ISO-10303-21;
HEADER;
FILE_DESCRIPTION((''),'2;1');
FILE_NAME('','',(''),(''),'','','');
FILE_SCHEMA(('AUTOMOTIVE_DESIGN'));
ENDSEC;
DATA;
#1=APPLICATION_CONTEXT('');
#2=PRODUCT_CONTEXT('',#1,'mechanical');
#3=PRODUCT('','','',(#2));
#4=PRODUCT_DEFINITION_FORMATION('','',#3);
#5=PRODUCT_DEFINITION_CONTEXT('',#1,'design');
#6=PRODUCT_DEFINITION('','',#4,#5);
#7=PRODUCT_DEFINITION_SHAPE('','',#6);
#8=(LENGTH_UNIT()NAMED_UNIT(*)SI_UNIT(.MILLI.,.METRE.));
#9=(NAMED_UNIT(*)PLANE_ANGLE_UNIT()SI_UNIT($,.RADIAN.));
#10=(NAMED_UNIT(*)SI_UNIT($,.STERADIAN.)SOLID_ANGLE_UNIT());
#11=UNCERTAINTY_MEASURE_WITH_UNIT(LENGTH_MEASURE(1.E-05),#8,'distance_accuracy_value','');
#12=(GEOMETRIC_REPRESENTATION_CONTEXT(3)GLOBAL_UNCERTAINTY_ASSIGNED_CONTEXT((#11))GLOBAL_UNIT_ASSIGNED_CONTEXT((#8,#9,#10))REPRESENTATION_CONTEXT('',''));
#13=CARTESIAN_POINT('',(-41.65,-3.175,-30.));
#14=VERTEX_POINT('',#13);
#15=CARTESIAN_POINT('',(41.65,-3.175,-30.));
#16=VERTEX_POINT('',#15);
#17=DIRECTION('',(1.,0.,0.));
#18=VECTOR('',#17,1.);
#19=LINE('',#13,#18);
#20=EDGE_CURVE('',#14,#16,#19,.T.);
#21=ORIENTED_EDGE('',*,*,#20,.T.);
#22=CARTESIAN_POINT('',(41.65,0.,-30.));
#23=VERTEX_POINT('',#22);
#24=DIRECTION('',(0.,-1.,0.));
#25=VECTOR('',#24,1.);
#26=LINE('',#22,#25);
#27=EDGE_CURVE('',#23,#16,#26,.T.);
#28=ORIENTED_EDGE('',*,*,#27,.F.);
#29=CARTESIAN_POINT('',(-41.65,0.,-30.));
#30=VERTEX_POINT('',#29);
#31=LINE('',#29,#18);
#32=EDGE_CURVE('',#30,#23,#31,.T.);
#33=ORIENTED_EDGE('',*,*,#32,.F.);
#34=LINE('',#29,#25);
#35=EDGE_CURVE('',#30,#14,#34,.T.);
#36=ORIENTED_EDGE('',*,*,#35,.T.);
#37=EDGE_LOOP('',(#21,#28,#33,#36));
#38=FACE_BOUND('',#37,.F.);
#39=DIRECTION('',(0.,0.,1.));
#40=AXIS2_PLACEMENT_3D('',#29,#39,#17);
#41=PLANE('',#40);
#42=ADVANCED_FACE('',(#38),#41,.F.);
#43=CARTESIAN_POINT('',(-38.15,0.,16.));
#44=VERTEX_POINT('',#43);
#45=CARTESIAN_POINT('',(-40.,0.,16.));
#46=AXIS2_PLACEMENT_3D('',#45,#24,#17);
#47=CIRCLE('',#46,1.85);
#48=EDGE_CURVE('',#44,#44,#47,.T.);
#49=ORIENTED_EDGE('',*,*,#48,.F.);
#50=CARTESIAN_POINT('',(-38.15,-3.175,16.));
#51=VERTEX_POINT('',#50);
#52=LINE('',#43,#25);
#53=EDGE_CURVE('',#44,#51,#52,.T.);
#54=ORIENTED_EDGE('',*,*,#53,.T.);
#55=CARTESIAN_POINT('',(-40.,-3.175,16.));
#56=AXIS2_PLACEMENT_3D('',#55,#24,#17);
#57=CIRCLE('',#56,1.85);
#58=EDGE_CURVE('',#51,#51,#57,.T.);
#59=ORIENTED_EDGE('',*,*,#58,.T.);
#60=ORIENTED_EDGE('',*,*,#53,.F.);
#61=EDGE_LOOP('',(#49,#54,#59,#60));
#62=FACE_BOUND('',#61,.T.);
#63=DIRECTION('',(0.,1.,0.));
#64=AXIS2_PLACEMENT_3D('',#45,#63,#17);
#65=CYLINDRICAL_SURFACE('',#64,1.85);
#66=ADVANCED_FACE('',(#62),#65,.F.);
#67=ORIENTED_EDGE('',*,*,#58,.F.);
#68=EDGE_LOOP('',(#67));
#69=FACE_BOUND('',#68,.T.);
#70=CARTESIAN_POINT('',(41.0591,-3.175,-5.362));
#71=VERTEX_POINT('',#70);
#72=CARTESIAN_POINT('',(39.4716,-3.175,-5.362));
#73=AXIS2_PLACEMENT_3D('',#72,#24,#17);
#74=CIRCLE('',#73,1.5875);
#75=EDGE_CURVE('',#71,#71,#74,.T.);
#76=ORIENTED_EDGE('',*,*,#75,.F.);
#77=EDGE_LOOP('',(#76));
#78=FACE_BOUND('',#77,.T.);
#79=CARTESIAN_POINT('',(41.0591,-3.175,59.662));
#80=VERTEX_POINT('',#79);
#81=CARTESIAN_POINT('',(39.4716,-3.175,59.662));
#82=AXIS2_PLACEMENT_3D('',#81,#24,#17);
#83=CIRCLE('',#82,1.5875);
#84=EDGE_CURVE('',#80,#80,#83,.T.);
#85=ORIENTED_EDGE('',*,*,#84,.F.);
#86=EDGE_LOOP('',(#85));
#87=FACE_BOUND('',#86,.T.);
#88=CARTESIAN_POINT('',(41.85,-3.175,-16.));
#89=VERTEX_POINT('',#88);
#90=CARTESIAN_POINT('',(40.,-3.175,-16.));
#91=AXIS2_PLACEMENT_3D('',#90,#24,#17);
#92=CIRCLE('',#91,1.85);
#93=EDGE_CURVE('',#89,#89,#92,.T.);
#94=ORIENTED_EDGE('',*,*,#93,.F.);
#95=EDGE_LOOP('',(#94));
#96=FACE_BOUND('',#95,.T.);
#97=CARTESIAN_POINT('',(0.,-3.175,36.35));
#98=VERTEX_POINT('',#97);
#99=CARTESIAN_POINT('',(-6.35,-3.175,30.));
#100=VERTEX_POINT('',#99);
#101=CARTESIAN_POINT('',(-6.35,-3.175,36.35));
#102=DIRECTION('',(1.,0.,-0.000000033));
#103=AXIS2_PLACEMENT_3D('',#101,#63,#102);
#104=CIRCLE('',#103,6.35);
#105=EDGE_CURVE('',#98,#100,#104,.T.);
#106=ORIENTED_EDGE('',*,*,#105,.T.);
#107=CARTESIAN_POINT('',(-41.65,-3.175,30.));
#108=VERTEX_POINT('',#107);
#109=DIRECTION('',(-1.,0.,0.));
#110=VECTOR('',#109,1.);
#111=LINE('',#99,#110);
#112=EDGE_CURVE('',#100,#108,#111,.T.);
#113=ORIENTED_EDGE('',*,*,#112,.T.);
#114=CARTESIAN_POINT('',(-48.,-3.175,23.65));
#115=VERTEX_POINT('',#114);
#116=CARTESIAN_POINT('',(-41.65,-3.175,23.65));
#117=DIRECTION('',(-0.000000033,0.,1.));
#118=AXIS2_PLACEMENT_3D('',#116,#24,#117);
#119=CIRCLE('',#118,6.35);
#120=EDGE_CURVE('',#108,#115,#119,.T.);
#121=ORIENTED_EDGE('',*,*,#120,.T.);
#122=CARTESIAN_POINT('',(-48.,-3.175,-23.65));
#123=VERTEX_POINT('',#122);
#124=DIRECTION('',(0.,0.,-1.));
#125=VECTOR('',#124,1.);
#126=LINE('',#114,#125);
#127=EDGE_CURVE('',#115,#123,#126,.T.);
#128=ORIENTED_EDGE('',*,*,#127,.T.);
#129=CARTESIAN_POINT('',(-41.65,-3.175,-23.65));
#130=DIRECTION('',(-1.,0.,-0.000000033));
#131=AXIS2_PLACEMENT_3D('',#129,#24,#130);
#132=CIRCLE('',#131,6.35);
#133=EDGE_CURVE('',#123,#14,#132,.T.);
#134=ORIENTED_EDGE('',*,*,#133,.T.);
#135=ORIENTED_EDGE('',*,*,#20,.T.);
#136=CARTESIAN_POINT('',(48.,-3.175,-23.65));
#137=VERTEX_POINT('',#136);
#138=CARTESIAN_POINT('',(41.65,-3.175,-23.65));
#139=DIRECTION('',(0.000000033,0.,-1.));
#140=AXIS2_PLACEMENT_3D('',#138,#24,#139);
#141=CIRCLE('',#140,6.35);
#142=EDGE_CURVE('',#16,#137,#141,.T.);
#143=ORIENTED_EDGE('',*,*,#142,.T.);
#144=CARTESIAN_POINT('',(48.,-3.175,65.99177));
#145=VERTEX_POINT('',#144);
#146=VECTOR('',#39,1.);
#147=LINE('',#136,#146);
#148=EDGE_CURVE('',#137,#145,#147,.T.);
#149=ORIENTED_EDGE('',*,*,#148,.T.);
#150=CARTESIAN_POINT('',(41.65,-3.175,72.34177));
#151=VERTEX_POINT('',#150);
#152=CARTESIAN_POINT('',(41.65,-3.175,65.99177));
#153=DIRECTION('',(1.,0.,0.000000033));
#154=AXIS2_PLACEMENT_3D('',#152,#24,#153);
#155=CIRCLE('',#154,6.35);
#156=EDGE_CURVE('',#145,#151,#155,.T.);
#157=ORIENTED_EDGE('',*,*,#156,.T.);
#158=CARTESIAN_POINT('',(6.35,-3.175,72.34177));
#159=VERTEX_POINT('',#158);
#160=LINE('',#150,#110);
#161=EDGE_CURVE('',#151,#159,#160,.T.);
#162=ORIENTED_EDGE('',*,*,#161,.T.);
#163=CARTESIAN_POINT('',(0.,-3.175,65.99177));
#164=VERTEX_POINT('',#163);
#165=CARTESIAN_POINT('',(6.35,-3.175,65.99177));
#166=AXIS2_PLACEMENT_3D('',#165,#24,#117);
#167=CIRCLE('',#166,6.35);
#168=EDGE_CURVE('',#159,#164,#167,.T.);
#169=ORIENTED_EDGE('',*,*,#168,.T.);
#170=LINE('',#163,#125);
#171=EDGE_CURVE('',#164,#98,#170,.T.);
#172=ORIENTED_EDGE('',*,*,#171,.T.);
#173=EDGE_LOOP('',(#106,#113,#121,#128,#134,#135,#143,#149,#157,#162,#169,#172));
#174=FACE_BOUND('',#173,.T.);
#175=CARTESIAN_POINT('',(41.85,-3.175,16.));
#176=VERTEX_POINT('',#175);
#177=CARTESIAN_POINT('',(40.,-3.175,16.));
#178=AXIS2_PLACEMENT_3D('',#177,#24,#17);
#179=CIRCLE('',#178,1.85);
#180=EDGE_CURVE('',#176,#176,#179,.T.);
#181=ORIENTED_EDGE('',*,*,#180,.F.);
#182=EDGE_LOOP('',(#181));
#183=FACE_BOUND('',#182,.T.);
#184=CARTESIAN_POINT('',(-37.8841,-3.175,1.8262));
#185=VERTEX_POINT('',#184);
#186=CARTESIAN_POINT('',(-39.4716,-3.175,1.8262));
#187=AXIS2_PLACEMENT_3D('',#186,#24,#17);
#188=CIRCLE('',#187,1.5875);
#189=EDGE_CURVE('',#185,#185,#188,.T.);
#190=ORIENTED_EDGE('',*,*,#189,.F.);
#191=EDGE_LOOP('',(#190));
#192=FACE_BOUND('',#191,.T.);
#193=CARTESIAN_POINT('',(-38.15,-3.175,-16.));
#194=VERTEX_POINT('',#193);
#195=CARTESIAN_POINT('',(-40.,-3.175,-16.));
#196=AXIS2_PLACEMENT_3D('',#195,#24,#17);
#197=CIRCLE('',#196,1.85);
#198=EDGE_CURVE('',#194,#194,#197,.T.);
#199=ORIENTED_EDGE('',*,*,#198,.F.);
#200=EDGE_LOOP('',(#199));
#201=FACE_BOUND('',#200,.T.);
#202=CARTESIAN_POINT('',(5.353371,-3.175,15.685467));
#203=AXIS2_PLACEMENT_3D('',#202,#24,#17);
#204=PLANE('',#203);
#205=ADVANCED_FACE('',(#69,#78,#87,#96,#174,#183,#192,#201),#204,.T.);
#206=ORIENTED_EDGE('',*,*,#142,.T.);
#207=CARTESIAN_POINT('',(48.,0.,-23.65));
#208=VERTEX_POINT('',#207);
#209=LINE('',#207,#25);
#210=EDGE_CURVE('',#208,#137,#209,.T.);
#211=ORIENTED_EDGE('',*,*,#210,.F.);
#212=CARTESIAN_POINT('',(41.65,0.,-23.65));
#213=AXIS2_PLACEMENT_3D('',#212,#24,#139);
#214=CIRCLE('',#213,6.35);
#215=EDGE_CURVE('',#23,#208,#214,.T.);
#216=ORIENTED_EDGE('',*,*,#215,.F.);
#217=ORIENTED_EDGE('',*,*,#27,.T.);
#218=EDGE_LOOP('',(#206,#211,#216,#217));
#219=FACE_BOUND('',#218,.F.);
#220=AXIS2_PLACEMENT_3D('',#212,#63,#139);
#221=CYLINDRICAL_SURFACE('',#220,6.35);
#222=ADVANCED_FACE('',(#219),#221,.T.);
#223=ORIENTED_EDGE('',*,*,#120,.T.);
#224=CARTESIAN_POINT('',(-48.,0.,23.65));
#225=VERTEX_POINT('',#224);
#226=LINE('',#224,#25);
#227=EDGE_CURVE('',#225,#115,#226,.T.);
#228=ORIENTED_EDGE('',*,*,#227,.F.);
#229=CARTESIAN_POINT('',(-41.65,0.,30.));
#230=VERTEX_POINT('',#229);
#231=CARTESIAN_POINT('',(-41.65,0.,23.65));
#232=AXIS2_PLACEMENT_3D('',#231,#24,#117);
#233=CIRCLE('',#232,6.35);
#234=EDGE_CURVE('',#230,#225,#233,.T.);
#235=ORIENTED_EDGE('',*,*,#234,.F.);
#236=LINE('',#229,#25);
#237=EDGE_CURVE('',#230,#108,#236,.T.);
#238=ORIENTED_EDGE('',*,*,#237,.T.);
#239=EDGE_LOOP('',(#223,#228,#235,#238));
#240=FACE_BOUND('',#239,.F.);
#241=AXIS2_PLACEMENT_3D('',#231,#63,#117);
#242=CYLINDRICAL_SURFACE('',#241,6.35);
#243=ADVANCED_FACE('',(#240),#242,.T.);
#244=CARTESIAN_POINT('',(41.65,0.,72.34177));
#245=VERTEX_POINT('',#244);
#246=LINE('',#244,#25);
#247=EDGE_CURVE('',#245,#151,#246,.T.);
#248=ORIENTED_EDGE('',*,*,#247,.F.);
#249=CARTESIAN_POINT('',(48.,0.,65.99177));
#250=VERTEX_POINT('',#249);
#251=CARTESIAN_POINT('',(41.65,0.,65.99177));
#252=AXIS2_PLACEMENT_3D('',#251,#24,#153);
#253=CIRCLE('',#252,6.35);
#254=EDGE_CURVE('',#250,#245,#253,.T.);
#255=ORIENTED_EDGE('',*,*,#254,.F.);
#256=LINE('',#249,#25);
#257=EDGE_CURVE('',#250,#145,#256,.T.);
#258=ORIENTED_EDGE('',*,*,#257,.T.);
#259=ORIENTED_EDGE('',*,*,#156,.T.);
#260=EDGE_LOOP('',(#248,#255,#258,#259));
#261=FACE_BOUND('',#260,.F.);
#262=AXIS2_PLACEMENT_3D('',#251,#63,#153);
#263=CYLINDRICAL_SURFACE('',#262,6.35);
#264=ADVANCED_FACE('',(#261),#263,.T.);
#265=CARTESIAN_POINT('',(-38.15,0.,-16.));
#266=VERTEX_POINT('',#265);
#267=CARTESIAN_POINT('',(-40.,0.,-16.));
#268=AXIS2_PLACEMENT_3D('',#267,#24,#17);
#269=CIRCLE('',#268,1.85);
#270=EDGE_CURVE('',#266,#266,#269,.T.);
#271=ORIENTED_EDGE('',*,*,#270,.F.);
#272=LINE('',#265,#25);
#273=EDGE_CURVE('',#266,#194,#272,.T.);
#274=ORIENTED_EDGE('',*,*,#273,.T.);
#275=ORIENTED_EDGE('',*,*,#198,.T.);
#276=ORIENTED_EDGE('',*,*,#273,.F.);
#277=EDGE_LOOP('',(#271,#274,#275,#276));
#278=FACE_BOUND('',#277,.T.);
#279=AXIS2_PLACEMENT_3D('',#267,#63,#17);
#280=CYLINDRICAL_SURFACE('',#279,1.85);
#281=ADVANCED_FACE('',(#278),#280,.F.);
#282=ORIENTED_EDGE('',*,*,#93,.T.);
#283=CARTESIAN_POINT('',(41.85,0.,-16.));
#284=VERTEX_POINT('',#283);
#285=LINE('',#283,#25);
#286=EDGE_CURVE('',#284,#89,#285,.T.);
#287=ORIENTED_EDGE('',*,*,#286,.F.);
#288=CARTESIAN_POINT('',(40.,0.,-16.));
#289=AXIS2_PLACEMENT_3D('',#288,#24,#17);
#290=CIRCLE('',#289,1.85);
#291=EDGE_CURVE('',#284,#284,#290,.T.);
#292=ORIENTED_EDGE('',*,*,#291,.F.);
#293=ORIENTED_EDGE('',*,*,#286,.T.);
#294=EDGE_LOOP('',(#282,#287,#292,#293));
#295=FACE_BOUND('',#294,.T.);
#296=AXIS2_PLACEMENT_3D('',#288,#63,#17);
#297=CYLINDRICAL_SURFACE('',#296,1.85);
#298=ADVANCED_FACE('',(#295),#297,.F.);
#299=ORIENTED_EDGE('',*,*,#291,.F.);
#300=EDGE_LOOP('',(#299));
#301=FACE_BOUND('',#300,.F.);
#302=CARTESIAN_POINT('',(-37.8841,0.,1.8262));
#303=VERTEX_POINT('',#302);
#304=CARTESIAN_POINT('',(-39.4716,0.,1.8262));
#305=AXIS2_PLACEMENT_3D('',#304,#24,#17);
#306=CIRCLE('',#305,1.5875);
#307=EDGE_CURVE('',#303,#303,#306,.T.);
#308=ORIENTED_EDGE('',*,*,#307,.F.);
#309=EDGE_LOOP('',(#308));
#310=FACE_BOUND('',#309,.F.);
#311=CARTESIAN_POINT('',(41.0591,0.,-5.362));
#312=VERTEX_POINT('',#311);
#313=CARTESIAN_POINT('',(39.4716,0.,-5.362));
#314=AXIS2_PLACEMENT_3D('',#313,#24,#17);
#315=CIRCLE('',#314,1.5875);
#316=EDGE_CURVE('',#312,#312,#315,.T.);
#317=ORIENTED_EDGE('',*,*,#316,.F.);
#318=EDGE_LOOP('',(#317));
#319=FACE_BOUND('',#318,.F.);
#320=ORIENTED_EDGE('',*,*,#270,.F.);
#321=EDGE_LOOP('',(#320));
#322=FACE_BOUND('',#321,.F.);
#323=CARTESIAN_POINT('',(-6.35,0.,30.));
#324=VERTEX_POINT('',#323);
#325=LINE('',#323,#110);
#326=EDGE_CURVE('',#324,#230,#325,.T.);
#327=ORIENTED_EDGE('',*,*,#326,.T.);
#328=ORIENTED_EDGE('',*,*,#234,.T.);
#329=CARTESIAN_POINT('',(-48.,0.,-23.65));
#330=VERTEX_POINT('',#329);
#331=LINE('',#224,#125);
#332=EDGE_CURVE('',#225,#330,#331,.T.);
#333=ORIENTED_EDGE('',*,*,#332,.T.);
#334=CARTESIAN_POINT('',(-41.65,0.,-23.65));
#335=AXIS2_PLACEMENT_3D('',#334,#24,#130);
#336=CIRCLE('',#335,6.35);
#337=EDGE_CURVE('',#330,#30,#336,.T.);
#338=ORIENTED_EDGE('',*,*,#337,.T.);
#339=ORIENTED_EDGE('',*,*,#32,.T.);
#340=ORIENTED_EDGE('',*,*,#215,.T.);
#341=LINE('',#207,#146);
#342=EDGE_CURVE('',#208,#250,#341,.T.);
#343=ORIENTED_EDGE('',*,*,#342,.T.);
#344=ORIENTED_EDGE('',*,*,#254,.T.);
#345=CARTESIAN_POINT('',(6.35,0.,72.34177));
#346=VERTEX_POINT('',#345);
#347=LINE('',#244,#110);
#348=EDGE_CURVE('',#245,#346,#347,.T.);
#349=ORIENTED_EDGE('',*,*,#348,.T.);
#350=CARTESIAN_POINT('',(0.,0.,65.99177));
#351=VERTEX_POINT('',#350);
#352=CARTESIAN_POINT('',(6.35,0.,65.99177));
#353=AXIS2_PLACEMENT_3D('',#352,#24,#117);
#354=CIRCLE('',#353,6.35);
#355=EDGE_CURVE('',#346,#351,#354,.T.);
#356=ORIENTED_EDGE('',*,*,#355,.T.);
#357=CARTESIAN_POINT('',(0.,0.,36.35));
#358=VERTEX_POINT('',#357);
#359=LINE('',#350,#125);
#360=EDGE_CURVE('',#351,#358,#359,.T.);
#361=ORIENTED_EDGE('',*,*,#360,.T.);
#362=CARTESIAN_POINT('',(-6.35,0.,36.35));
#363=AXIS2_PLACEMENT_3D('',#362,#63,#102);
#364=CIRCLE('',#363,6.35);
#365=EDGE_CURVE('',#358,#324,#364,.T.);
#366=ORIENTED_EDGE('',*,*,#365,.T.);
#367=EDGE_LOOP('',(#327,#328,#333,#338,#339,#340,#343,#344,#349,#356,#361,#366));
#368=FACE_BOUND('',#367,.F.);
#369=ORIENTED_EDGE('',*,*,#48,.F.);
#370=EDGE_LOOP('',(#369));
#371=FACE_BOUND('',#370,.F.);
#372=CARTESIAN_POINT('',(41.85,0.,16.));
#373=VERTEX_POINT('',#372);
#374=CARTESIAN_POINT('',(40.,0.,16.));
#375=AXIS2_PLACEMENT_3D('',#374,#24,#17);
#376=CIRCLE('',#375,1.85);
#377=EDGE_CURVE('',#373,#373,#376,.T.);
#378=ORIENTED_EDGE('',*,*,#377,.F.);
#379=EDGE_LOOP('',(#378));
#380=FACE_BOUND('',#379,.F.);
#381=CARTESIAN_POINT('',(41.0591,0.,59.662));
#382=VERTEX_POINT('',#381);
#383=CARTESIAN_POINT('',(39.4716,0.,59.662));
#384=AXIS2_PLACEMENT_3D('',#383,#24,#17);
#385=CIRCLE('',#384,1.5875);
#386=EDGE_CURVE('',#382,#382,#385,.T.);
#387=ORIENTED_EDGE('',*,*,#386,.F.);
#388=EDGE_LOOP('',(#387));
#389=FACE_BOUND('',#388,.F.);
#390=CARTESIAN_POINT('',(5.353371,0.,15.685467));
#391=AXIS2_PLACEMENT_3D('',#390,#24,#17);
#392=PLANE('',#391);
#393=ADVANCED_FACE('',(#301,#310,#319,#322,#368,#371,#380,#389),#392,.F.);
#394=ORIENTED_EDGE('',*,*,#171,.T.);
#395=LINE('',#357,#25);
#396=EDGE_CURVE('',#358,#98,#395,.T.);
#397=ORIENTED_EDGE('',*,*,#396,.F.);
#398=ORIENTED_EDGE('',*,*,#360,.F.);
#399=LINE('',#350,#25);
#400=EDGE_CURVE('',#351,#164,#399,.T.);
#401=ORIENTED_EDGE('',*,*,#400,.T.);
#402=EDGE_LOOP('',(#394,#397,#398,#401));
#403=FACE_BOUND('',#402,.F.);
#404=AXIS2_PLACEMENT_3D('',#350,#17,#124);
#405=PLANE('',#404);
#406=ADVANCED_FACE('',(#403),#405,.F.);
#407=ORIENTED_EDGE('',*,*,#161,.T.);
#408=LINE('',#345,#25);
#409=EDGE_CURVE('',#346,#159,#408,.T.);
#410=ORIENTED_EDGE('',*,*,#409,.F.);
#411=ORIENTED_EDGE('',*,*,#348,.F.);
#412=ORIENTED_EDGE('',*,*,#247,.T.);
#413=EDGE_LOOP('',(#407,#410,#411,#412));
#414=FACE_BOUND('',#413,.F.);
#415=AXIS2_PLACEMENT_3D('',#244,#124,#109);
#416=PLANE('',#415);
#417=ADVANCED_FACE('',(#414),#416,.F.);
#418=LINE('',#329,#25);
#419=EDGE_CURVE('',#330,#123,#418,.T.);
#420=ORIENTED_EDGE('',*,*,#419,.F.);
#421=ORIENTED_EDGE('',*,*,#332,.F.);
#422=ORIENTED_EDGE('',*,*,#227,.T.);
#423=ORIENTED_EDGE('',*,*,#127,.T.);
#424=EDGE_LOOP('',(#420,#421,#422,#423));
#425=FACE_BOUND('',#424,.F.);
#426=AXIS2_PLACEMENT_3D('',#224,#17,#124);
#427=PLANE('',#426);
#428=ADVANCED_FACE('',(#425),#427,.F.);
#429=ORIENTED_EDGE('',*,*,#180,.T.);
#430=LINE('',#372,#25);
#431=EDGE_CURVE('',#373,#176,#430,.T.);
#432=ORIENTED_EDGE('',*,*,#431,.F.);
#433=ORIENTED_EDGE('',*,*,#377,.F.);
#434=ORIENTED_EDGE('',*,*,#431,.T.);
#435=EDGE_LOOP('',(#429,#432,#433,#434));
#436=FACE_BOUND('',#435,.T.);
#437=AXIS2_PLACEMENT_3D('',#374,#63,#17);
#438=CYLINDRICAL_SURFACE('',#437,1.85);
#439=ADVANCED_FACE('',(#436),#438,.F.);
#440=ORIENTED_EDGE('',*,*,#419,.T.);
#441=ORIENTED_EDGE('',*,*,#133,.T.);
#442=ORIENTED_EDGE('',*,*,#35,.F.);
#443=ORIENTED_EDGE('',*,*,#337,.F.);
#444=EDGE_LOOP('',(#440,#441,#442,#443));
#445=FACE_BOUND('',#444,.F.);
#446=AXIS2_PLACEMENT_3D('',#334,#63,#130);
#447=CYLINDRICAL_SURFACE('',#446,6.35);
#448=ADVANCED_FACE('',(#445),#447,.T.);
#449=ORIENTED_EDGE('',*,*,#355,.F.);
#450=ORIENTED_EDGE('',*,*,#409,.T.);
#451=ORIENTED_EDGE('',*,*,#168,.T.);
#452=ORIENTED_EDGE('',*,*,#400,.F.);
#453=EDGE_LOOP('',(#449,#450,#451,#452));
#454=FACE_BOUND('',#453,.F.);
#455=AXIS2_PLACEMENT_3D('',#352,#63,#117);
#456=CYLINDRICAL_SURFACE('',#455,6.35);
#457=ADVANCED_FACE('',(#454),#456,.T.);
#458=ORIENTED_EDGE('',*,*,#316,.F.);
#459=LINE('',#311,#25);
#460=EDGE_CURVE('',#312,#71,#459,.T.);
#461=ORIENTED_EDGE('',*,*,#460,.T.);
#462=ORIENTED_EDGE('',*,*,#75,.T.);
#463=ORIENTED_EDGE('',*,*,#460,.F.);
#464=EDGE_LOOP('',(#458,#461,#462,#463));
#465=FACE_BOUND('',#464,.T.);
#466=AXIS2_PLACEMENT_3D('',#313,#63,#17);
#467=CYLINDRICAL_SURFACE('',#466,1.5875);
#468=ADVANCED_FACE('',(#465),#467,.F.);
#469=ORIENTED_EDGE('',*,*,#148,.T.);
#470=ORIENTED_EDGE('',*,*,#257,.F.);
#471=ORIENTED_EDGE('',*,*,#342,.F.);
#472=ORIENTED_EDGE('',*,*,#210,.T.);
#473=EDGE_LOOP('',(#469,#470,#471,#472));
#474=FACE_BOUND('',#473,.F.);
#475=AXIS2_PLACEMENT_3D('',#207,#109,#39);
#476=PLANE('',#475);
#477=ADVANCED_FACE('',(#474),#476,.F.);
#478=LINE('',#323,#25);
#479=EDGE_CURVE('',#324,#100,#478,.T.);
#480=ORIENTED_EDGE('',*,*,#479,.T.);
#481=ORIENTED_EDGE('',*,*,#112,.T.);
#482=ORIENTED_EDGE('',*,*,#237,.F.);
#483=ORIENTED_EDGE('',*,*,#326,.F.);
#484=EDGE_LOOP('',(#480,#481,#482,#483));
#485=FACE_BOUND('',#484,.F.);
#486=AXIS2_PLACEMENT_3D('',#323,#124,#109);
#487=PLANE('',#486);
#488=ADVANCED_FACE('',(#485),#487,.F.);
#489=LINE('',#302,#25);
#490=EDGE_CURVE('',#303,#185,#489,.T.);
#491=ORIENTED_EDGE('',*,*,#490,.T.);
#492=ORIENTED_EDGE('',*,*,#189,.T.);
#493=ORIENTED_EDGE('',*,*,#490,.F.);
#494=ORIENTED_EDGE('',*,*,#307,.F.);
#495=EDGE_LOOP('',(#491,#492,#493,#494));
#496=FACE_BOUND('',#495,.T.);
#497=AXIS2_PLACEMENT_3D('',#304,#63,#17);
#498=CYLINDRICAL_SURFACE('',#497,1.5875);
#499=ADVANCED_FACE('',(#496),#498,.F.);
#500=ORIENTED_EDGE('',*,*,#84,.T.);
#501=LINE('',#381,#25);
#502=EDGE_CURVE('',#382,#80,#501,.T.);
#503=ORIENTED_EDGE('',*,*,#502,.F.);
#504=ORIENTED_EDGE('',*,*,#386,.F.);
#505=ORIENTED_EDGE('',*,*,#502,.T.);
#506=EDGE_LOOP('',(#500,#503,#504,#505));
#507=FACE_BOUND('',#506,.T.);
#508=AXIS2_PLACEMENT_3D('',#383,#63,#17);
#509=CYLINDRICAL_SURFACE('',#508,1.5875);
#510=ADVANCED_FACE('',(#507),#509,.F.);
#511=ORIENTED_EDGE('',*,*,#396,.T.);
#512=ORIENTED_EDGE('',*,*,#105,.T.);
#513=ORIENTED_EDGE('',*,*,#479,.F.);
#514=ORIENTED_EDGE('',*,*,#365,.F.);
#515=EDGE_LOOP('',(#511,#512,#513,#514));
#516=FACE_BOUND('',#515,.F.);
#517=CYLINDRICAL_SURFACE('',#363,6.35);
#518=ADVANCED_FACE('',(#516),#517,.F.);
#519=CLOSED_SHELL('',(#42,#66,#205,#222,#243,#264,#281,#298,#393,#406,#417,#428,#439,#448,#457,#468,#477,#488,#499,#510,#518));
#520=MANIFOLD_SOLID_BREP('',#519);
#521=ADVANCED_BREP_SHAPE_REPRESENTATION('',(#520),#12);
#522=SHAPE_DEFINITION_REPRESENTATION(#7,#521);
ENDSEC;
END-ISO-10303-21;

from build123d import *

# Parameters (mm, degrees)
F0_R     = 1.85
F0_R_2   = 1.5875
F1_DEPTH = 3.175


with BuildPart() as f1:
    # F0 (on Front) → F1 (new body)
    with BuildSketch(Plane.XZ):
        with BuildLine():
            ThreePointArc((-48, -23.65), (-46.140128, -28.140128), (-41.65, -30))
            Line((-41.65, -30), (41.65, -30))
            ThreePointArc((41.65, -30), (46.140128, -28.140128), (48, -23.65))
            Line((48, -23.65), (48, 30))
            Line((48, 30), (48, 65.99177))
            ThreePointArc((48, 65.99177), (46.140128, 70.481898), (41.65, 72.34177))
            Line((41.65, 72.34177), (6.35, 72.34177))
            ThreePointArc((6.35, 72.34177), (1.859872, 70.481898), (0, 65.99177))
            Line((0, 65.99177), (0, 36.35))
            ThreePointArc((0, 36.35), (-1.859872, 31.859872), (-6.35, 30))
            Line((-6.35, 30), (-41.65, 30))
            ThreePointArc((-41.65, 30), (-46.140128, 28.140128), (-48, 23.65))
            Line((-48, 23.65), (-48, -23.65))
        make_face()
        with Locations((-40, -16)):
            Circle(F0_R, mode=Mode.SUBTRACT)
        with Locations((-39.4716, 1.8262)):
            Circle(F0_R_2, mode=Mode.SUBTRACT)
        with Locations((-40, 16)):
            Circle(F0_R, mode=Mode.SUBTRACT)
        with Locations((40, -16)):
            Circle(F0_R, mode=Mode.SUBTRACT)
        with Locations((39.4716, -5.362)):
            Circle(F0_R_2, mode=Mode.SUBTRACT)
        with Locations((40, 16)):
            Circle(F0_R, mode=Mode.SUBTRACT)
        with Locations((39.4716, 59.662)):
            Circle(F0_R_2, mode=Mode.SUBTRACT)
    extrude(amount=F1_DEPTH)


solid = f1.part
